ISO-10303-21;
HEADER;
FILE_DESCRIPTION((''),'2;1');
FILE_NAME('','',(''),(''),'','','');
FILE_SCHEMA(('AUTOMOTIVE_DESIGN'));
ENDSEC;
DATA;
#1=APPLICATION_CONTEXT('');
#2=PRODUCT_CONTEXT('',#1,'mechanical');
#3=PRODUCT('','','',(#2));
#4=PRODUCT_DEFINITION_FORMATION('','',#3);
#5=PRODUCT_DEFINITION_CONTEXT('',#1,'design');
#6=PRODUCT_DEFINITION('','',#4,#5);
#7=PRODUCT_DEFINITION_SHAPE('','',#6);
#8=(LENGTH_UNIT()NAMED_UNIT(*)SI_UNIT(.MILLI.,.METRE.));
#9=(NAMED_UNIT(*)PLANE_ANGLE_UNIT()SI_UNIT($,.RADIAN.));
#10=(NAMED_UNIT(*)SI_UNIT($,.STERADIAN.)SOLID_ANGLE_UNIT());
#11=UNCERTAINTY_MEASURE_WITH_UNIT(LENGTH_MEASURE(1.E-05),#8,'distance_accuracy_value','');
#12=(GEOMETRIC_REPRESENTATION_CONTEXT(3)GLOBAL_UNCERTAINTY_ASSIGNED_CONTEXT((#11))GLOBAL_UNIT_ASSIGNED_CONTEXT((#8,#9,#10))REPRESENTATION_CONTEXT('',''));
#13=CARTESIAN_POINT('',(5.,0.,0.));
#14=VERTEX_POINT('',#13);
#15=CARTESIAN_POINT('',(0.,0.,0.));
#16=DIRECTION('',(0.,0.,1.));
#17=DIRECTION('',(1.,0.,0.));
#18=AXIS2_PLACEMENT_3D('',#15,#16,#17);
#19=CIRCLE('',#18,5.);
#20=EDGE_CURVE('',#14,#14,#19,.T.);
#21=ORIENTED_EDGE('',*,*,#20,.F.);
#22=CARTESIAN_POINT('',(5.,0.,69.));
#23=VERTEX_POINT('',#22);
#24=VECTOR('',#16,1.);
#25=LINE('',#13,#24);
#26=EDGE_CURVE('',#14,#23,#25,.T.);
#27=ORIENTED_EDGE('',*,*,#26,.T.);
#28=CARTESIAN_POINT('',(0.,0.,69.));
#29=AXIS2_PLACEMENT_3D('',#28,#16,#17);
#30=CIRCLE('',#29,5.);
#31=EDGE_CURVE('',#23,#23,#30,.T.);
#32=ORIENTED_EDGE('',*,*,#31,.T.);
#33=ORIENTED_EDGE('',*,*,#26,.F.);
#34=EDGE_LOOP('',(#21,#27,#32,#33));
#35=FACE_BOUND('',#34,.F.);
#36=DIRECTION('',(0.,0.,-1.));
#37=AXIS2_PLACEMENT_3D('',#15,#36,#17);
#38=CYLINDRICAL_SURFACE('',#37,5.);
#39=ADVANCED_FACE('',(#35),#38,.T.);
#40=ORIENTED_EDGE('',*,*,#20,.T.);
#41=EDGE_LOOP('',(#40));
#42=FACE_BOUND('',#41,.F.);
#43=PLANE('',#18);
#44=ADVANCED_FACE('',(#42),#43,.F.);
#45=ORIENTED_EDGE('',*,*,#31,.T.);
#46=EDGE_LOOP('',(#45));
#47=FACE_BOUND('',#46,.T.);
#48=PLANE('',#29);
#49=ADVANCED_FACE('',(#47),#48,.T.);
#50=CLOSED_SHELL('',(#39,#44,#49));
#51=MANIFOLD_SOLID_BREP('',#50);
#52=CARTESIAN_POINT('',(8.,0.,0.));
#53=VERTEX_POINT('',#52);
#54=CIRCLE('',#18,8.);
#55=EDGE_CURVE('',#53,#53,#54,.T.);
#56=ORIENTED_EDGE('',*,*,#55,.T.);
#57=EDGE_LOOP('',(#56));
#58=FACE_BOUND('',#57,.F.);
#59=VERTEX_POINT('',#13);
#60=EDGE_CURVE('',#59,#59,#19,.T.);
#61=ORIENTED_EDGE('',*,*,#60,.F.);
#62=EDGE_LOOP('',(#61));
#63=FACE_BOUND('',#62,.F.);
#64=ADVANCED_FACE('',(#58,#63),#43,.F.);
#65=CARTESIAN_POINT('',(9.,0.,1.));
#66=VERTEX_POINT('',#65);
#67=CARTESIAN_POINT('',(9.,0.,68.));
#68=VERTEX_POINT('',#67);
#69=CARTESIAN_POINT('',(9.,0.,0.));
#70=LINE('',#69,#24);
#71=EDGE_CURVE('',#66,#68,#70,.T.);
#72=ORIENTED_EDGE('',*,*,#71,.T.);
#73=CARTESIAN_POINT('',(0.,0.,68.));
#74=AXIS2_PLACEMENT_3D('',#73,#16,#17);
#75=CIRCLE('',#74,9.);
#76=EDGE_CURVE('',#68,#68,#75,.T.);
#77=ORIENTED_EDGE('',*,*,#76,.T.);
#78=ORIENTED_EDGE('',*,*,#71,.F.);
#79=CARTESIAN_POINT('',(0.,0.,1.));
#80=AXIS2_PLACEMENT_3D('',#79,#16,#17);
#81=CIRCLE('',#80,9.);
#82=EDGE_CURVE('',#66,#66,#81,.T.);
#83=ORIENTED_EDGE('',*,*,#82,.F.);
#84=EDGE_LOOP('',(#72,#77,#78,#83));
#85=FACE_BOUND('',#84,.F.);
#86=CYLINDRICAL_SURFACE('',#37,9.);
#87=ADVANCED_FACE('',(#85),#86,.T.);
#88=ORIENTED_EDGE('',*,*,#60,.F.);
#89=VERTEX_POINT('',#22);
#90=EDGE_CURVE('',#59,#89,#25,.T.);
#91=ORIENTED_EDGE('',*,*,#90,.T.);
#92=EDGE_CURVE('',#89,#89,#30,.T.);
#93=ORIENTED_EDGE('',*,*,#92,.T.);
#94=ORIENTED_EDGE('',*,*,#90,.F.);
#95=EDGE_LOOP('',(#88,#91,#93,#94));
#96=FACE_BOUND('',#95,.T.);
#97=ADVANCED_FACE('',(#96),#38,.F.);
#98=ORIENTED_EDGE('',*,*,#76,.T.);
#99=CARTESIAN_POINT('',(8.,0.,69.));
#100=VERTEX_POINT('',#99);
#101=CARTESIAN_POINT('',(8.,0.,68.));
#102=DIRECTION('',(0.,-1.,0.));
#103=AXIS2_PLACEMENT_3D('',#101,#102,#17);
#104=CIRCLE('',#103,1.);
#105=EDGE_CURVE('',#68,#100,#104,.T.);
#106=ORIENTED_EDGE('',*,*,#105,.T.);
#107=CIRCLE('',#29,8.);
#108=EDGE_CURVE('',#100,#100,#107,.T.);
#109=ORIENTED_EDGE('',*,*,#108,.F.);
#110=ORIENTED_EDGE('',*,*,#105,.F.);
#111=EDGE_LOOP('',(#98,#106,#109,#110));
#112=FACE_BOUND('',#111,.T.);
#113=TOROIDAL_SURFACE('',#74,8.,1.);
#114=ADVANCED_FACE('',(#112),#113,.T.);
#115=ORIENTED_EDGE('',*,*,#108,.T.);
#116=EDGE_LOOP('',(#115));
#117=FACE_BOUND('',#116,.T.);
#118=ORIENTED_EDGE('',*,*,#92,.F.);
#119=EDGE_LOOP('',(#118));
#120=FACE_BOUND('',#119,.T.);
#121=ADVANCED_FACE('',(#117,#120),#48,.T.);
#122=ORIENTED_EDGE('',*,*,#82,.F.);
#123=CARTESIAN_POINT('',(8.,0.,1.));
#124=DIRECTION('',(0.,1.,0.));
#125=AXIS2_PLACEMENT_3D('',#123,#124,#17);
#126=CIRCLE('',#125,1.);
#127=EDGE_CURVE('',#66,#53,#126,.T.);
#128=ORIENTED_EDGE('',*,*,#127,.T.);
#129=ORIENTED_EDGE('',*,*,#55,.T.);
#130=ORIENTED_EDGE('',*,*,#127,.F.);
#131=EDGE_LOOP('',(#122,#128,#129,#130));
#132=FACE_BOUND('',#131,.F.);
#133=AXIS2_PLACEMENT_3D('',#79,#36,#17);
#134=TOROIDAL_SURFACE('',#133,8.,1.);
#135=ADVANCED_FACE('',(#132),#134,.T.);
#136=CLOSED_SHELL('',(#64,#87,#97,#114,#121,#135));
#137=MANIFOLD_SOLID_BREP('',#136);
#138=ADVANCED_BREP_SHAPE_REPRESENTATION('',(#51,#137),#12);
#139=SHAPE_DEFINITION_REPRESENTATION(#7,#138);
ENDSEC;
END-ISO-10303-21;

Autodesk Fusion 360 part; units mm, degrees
sketch "Sketch1" plane through (0, 0, 0) normal (0, 0, 1) x (1, 0, 0)
  circle A0 centre (0, 0) radius 9
  circle A1 centre (0, 0) radius 5
  dimension "d1" = 18
  dimension "d5" = 10
extrude "Extrude1" add sketch "Sketch1" along normal blind 69 contours A0 | A1 makes body 1
fillet "Fillet1" radius 1 2 edges at (-8.3909, -3.2545, 69) (-8.3909, -3.2545, 0) on bodies 1
extrude "Extrude2" cut sketch "Sketch1" along normal up to surface (69 mm away) contours A1 bodies 1
extrude "Extrude3" add sketch "Sketch1" along normal up to surface (69 mm away) separate body contours A1 makes body 2
